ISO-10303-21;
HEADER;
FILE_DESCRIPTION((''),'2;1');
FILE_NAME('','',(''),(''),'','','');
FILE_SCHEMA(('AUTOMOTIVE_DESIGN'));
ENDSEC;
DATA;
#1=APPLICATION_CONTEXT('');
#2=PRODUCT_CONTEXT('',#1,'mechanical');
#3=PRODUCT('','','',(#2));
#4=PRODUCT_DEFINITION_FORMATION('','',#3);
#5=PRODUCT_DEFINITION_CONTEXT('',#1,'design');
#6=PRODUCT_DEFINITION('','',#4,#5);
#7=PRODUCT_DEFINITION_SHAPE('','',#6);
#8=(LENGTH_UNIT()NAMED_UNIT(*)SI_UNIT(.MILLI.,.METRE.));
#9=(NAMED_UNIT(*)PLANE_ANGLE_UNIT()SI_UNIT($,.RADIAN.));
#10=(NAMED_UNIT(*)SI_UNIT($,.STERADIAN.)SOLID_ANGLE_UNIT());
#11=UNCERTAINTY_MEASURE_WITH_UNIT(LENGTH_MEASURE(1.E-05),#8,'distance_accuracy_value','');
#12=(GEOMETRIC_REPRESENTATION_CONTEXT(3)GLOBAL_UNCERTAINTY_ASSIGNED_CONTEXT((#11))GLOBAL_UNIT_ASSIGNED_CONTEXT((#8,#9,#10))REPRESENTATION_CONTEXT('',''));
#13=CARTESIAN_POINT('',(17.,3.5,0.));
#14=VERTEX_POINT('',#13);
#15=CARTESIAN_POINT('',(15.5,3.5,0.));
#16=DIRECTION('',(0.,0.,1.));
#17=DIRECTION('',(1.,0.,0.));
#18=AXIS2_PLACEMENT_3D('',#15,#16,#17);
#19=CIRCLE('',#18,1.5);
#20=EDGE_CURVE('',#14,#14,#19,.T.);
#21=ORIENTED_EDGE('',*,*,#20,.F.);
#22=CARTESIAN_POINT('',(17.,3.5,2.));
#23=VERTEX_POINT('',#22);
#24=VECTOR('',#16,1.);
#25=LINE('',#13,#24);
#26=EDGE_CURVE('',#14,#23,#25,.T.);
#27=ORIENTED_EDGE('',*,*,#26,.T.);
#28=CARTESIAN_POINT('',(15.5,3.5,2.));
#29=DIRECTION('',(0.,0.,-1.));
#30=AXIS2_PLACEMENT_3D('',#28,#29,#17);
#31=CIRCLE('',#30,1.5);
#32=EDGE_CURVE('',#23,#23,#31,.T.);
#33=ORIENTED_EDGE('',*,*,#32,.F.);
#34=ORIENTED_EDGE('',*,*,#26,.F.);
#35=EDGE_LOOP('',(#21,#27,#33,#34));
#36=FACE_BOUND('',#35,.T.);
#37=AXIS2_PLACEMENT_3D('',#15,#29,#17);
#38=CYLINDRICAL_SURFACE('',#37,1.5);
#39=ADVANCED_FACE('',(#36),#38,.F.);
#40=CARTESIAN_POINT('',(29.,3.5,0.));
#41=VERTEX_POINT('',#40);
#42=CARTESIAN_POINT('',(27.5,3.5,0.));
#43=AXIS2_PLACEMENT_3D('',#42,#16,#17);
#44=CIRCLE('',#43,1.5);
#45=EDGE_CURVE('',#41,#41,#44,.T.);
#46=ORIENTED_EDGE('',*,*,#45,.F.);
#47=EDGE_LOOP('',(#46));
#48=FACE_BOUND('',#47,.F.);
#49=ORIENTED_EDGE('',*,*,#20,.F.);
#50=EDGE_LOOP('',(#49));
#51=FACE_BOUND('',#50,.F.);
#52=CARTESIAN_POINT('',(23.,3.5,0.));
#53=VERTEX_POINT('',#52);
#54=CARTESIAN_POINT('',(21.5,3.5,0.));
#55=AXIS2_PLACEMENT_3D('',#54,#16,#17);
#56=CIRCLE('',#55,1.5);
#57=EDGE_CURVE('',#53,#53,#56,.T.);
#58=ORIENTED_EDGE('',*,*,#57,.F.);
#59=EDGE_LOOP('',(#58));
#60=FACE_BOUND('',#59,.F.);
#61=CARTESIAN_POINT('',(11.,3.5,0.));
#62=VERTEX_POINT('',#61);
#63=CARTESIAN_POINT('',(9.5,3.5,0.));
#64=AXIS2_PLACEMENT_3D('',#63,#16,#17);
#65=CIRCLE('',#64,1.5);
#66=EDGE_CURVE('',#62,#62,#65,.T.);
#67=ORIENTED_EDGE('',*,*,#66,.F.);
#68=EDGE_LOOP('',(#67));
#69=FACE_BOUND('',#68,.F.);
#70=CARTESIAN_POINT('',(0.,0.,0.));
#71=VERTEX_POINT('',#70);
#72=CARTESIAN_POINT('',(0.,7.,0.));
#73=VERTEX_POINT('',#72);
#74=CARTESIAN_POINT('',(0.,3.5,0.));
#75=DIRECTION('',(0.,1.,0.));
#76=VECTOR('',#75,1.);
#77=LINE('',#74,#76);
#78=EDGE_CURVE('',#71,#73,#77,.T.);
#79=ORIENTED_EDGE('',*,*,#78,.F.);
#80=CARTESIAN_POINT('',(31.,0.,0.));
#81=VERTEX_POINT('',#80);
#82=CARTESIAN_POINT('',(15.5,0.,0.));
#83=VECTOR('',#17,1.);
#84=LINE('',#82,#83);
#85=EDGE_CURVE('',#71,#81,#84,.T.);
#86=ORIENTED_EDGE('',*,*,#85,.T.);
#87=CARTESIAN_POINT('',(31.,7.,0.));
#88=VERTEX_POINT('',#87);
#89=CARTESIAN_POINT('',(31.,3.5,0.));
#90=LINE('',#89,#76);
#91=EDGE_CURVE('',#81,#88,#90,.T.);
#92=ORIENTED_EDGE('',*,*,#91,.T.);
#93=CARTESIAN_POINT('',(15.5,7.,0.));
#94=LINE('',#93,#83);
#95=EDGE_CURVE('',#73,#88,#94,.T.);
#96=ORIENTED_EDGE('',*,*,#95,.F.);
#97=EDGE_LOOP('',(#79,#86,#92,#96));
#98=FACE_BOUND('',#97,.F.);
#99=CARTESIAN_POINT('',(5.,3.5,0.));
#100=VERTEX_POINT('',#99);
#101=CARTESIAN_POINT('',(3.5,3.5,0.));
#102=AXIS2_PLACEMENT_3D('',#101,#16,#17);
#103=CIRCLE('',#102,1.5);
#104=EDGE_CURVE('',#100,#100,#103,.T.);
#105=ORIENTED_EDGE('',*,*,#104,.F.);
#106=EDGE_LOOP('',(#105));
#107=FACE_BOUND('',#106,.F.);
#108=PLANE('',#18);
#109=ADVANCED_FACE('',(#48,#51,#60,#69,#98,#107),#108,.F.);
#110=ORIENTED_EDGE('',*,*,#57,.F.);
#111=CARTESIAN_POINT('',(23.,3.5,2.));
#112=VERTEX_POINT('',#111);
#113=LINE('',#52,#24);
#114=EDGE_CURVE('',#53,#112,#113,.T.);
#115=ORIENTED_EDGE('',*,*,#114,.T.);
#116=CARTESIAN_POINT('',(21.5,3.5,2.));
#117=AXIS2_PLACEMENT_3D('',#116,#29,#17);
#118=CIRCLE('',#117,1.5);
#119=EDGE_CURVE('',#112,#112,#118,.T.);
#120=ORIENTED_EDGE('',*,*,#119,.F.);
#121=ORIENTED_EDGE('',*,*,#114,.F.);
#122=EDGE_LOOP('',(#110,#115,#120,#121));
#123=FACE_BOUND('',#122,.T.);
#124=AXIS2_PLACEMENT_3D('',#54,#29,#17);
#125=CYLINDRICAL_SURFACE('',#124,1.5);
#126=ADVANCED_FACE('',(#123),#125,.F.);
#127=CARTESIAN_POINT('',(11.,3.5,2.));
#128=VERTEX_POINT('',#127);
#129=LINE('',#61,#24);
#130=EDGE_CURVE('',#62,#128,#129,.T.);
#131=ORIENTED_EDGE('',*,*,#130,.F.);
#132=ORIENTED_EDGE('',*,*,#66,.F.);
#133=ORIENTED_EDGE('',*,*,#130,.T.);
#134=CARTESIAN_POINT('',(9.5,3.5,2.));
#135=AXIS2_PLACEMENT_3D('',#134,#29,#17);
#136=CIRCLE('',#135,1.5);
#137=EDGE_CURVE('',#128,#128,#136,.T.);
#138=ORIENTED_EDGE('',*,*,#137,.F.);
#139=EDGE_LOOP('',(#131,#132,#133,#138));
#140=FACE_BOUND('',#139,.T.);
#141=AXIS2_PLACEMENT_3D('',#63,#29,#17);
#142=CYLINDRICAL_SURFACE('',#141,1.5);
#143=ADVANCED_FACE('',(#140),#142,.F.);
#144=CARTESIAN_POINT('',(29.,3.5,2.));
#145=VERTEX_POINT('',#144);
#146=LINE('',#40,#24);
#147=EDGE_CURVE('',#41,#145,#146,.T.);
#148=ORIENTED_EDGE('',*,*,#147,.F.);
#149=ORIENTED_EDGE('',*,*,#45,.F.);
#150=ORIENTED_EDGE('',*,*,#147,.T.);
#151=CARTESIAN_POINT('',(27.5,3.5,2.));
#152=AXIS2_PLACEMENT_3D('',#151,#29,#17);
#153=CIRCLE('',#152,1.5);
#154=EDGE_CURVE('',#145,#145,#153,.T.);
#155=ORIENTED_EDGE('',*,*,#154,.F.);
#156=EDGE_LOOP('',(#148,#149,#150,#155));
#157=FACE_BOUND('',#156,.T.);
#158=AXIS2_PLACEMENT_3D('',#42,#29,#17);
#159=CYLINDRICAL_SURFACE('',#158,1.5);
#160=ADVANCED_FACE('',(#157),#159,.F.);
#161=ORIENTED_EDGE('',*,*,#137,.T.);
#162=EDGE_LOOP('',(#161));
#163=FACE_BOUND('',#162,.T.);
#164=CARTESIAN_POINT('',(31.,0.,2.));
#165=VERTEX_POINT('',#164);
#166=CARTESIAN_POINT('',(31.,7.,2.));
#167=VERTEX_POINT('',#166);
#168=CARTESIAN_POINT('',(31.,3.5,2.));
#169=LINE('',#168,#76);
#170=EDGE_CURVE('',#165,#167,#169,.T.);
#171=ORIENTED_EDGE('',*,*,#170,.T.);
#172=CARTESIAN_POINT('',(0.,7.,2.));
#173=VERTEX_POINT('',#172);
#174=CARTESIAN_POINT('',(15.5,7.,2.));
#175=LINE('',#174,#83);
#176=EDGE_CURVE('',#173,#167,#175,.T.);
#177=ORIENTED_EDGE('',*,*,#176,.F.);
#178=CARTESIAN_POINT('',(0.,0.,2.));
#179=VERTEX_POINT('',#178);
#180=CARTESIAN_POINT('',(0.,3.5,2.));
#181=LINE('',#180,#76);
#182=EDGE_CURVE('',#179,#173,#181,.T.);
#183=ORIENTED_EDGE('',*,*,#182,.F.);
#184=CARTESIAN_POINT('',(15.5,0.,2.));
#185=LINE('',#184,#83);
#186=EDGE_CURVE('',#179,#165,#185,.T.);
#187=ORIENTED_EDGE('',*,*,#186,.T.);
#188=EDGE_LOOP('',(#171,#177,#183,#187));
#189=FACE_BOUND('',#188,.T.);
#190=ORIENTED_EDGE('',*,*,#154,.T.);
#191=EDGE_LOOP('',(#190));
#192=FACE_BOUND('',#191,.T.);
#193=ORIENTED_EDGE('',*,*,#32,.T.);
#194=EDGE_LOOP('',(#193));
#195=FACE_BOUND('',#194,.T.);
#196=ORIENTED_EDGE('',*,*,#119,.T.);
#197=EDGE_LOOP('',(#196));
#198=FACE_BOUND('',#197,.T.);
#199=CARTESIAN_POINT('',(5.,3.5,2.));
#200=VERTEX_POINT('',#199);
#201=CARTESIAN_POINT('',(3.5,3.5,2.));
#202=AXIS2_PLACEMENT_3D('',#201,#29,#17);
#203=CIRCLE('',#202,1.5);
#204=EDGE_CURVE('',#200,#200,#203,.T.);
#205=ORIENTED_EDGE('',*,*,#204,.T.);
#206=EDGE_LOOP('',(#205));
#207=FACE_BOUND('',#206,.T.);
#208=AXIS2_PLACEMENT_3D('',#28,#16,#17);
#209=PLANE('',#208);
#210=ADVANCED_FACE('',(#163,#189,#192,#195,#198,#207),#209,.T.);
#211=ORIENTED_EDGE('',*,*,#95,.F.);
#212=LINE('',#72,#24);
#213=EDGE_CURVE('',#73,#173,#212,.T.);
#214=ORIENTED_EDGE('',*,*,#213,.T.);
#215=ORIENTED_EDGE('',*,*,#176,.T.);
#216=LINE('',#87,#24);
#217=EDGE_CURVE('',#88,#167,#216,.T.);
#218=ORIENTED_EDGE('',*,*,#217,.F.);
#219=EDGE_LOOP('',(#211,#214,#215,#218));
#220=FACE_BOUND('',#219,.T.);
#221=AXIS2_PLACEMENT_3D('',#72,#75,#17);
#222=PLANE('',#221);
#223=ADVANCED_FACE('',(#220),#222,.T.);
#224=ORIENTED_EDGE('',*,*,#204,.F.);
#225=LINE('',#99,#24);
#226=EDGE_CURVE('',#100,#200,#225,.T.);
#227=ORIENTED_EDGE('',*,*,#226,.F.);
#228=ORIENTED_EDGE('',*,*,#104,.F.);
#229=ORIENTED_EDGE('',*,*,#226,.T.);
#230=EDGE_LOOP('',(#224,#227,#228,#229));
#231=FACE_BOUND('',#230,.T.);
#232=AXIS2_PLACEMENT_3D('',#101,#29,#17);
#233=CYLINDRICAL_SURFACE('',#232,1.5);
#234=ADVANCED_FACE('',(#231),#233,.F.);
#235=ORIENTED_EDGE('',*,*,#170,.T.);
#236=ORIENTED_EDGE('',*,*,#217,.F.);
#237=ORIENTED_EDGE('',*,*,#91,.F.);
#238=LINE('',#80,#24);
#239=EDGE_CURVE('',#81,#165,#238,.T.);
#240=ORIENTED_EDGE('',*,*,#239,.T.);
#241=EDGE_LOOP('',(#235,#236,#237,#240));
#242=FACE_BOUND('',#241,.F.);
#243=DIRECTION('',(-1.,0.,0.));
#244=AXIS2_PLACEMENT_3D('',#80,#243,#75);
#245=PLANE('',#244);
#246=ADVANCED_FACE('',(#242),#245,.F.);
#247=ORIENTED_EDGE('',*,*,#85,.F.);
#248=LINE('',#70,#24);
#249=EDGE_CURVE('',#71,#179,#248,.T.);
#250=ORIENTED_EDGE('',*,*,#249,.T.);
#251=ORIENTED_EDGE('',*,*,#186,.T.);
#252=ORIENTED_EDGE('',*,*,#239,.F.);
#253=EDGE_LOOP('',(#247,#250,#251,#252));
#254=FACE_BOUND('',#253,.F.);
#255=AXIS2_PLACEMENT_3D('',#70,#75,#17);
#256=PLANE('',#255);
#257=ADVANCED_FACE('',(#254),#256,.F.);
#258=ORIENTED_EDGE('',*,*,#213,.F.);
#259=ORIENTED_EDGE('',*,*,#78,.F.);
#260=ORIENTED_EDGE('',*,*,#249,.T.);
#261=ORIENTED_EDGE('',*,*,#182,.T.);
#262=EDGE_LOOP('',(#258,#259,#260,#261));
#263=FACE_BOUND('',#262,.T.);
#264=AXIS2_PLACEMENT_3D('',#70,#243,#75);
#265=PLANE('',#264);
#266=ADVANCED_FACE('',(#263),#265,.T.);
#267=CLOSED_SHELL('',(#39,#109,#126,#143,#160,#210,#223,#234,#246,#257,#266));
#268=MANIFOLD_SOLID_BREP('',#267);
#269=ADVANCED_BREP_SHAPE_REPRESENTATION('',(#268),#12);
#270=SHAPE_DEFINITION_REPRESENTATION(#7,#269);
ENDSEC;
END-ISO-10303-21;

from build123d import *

# Parameters (mm, degrees)
CYLINDER_R     = 1.5
CYLINDER_DEPTH = 3
ARRAY_X_COUNT  = 5
ARRAY_X_PITCH  = 6
BOX_W          = 31
BOX_H          = 7
BOX_DEPTH      = 2


with BuildPart() as array:
    # Cylinder → Cylinder (new body)
    with BuildSketch(Plane(origin=(3.5, 3.5, 0), x_dir=(1, 0, 0), z_dir=(0, 0, 1))):
        Circle(CYLINDER_R)
    extrude(amount=CYLINDER_DEPTH)

    # Array X: Array ×5


with BuildPart() as array_1:
    add(array.part)
    with Locations(*[(i * ARRAY_X_PITCH, 0, 0) for i in range(1, ARRAY_X_COUNT)]):
        add(array.part)


with BuildPart() as cut:
    # Box → Box (new body)
    with BuildSketch(Plane.XY):
        with Locations((15.5, 3.5)):
            Rectangle(BOX_W, BOX_H)
    extrude(amount=BOX_DEPTH)

    # Cut: cut Array
    add(array_1.part, mode=Mode.SUBTRACT)


solid = cut.part
